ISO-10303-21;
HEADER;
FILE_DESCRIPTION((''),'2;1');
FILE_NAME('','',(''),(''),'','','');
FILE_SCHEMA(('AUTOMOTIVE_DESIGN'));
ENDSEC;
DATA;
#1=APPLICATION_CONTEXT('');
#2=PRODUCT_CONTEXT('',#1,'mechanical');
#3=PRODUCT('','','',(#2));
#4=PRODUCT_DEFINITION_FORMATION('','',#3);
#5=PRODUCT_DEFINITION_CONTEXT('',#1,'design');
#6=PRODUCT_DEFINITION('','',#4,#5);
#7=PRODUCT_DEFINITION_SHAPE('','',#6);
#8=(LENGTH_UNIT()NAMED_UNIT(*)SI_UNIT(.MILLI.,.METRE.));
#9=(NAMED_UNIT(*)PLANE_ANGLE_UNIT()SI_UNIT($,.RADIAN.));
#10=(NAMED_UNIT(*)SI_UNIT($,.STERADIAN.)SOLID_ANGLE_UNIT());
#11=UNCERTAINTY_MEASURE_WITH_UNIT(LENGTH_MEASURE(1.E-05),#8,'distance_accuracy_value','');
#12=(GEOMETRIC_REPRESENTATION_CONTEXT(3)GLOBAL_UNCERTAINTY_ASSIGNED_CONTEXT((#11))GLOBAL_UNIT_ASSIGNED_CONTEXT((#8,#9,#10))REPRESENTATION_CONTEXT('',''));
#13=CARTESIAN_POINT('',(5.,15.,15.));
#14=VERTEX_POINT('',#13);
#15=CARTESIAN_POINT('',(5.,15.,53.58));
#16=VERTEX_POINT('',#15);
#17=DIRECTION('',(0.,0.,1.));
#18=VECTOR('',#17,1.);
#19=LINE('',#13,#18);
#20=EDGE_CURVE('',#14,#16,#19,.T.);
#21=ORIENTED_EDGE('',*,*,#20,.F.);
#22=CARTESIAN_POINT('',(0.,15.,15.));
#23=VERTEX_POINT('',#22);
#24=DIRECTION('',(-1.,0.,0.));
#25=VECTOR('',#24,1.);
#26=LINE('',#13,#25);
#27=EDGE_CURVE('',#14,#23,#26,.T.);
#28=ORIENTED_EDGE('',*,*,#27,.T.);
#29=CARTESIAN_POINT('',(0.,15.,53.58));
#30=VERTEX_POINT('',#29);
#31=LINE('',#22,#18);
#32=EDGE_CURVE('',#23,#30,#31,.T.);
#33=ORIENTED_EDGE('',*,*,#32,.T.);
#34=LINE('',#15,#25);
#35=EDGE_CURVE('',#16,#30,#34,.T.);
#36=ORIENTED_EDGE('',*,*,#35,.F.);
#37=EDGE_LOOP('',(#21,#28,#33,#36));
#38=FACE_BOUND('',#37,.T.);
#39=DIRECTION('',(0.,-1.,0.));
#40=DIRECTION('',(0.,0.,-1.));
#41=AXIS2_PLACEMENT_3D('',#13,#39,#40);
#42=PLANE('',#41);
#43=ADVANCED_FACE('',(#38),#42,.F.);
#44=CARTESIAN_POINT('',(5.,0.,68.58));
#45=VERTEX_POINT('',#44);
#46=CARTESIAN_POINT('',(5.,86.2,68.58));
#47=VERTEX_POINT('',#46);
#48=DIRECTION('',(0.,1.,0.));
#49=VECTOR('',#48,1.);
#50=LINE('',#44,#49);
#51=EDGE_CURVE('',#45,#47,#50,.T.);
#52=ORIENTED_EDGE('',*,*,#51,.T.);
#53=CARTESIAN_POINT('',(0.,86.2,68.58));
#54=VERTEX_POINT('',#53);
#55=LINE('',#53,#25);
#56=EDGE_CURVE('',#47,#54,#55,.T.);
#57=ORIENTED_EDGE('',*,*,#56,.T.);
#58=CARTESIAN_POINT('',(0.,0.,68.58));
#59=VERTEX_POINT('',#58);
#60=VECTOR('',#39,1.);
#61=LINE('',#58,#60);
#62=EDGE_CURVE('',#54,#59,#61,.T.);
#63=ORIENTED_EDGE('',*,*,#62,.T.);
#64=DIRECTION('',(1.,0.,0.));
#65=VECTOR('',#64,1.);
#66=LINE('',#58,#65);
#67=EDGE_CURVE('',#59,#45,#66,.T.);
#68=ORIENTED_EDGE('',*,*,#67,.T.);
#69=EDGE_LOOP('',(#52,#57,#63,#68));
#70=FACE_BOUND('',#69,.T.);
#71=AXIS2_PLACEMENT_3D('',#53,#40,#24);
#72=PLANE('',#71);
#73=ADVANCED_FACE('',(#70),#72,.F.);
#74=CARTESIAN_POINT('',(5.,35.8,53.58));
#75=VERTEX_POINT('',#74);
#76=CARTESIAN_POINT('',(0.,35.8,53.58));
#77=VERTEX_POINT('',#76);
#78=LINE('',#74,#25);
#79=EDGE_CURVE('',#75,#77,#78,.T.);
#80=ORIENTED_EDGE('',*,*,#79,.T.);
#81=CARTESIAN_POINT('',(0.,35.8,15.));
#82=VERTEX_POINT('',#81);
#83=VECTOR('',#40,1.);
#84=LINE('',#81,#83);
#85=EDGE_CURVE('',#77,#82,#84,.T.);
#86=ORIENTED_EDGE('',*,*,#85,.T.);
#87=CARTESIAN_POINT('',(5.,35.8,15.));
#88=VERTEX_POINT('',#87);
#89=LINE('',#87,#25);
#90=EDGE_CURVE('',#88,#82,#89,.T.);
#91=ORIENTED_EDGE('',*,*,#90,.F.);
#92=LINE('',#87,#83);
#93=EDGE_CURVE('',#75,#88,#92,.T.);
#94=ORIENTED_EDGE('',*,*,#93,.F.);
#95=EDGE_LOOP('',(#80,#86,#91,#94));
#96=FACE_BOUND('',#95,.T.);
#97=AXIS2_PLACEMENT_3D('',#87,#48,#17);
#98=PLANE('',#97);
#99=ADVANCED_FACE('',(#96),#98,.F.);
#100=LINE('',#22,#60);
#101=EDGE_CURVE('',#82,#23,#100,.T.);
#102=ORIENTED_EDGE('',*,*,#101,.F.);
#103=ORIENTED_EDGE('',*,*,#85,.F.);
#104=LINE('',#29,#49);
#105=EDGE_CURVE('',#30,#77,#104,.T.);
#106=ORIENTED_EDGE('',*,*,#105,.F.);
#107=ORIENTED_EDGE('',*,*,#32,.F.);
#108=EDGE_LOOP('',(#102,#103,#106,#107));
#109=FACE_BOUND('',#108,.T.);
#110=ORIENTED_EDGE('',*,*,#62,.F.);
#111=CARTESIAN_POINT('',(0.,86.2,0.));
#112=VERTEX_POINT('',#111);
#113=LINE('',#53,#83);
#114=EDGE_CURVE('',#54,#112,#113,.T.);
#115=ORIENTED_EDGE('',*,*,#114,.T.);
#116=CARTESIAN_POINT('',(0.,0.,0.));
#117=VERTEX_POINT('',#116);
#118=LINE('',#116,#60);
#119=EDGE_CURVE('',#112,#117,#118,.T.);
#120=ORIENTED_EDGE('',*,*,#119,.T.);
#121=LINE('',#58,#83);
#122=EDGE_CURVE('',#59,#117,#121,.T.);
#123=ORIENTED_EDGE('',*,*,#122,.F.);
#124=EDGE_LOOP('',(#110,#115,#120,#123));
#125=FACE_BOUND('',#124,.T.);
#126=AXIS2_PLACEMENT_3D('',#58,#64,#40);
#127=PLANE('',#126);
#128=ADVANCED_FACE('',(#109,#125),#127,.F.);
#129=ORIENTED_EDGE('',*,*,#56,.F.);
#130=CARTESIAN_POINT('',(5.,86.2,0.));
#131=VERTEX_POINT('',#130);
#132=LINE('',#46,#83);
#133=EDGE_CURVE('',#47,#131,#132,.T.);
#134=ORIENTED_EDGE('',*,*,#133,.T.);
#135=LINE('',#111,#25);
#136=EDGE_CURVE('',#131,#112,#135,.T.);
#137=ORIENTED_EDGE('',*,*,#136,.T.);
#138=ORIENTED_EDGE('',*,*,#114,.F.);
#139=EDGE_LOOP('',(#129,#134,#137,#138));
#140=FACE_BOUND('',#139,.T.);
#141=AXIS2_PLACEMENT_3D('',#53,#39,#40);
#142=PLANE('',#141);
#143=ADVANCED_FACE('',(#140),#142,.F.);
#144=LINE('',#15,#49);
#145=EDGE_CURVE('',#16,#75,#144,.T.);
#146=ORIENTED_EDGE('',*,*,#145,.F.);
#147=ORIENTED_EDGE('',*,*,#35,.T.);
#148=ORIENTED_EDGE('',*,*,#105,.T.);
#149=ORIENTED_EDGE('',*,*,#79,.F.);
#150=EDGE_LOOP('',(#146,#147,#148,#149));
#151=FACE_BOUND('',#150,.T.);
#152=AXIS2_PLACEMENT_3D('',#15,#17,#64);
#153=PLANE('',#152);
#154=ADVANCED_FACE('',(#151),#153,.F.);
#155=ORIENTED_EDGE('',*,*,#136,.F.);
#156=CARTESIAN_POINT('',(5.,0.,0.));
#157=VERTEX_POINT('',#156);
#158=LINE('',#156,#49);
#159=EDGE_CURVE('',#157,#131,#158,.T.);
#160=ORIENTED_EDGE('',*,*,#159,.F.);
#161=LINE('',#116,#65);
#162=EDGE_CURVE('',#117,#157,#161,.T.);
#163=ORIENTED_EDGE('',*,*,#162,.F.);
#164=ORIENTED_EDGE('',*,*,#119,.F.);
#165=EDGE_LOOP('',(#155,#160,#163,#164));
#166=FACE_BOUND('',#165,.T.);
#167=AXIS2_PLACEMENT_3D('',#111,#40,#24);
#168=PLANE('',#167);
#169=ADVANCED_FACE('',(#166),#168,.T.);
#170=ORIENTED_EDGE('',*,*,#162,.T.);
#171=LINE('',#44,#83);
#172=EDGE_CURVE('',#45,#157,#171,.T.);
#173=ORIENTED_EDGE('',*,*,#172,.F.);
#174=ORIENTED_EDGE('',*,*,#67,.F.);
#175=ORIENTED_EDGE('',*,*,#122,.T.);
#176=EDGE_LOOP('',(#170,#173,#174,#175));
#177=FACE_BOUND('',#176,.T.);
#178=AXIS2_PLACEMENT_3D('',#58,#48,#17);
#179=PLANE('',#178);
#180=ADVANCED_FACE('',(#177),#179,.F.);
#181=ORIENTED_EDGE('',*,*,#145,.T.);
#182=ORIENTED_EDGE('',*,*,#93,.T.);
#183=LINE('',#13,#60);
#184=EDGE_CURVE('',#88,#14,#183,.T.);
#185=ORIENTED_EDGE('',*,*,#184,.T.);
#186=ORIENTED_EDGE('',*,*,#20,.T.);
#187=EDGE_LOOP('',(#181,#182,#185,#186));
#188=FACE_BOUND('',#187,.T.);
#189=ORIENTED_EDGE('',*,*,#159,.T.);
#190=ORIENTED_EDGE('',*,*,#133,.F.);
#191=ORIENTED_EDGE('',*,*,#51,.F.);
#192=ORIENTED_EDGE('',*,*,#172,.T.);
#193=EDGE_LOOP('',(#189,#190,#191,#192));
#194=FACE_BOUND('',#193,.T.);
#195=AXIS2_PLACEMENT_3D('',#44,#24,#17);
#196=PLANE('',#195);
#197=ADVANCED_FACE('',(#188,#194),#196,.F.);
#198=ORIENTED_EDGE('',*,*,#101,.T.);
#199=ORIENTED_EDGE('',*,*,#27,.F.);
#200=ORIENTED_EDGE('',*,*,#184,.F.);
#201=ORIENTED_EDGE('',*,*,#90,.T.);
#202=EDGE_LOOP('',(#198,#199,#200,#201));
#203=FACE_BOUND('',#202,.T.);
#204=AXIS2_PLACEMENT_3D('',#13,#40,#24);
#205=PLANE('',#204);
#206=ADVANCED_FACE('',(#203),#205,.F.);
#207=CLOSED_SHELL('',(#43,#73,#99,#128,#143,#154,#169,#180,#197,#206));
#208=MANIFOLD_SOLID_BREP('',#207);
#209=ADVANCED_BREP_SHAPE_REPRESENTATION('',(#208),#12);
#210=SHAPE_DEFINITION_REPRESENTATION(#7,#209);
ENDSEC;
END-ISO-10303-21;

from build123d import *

# Parameters (mm, degrees)
SKETCH1_W           = 5
SKETCH1_H           = 86.2
BOSS_EXTRUDE1_DEPTH = 68.58
SKETCH3_W           = 38.58
SKETCH3_H           = 20.8
CUT_EXTRUDE2_DEPTH  = 5


with BuildPart() as part:
    # Sketch1 → Boss-Extrude1 (new body)
    with BuildSketch(Plane.XY):
        with Locations((2.5, 43.1)):
            Rectangle(SKETCH1_W, SKETCH1_H)
    extrude(amount=BOSS_EXTRUDE1_DEPTH)

    # Sketch3 → Cut-Extrude2 (cut)
    with BuildSketch(Plane.ZY):
        with Locations((34.29, 25.4)):
            Rectangle(SKETCH3_W, SKETCH3_H)
    extrude(amount=-CUT_EXTRUDE2_DEPTH, mode=Mode.SUBTRACT)


solid = part.part
